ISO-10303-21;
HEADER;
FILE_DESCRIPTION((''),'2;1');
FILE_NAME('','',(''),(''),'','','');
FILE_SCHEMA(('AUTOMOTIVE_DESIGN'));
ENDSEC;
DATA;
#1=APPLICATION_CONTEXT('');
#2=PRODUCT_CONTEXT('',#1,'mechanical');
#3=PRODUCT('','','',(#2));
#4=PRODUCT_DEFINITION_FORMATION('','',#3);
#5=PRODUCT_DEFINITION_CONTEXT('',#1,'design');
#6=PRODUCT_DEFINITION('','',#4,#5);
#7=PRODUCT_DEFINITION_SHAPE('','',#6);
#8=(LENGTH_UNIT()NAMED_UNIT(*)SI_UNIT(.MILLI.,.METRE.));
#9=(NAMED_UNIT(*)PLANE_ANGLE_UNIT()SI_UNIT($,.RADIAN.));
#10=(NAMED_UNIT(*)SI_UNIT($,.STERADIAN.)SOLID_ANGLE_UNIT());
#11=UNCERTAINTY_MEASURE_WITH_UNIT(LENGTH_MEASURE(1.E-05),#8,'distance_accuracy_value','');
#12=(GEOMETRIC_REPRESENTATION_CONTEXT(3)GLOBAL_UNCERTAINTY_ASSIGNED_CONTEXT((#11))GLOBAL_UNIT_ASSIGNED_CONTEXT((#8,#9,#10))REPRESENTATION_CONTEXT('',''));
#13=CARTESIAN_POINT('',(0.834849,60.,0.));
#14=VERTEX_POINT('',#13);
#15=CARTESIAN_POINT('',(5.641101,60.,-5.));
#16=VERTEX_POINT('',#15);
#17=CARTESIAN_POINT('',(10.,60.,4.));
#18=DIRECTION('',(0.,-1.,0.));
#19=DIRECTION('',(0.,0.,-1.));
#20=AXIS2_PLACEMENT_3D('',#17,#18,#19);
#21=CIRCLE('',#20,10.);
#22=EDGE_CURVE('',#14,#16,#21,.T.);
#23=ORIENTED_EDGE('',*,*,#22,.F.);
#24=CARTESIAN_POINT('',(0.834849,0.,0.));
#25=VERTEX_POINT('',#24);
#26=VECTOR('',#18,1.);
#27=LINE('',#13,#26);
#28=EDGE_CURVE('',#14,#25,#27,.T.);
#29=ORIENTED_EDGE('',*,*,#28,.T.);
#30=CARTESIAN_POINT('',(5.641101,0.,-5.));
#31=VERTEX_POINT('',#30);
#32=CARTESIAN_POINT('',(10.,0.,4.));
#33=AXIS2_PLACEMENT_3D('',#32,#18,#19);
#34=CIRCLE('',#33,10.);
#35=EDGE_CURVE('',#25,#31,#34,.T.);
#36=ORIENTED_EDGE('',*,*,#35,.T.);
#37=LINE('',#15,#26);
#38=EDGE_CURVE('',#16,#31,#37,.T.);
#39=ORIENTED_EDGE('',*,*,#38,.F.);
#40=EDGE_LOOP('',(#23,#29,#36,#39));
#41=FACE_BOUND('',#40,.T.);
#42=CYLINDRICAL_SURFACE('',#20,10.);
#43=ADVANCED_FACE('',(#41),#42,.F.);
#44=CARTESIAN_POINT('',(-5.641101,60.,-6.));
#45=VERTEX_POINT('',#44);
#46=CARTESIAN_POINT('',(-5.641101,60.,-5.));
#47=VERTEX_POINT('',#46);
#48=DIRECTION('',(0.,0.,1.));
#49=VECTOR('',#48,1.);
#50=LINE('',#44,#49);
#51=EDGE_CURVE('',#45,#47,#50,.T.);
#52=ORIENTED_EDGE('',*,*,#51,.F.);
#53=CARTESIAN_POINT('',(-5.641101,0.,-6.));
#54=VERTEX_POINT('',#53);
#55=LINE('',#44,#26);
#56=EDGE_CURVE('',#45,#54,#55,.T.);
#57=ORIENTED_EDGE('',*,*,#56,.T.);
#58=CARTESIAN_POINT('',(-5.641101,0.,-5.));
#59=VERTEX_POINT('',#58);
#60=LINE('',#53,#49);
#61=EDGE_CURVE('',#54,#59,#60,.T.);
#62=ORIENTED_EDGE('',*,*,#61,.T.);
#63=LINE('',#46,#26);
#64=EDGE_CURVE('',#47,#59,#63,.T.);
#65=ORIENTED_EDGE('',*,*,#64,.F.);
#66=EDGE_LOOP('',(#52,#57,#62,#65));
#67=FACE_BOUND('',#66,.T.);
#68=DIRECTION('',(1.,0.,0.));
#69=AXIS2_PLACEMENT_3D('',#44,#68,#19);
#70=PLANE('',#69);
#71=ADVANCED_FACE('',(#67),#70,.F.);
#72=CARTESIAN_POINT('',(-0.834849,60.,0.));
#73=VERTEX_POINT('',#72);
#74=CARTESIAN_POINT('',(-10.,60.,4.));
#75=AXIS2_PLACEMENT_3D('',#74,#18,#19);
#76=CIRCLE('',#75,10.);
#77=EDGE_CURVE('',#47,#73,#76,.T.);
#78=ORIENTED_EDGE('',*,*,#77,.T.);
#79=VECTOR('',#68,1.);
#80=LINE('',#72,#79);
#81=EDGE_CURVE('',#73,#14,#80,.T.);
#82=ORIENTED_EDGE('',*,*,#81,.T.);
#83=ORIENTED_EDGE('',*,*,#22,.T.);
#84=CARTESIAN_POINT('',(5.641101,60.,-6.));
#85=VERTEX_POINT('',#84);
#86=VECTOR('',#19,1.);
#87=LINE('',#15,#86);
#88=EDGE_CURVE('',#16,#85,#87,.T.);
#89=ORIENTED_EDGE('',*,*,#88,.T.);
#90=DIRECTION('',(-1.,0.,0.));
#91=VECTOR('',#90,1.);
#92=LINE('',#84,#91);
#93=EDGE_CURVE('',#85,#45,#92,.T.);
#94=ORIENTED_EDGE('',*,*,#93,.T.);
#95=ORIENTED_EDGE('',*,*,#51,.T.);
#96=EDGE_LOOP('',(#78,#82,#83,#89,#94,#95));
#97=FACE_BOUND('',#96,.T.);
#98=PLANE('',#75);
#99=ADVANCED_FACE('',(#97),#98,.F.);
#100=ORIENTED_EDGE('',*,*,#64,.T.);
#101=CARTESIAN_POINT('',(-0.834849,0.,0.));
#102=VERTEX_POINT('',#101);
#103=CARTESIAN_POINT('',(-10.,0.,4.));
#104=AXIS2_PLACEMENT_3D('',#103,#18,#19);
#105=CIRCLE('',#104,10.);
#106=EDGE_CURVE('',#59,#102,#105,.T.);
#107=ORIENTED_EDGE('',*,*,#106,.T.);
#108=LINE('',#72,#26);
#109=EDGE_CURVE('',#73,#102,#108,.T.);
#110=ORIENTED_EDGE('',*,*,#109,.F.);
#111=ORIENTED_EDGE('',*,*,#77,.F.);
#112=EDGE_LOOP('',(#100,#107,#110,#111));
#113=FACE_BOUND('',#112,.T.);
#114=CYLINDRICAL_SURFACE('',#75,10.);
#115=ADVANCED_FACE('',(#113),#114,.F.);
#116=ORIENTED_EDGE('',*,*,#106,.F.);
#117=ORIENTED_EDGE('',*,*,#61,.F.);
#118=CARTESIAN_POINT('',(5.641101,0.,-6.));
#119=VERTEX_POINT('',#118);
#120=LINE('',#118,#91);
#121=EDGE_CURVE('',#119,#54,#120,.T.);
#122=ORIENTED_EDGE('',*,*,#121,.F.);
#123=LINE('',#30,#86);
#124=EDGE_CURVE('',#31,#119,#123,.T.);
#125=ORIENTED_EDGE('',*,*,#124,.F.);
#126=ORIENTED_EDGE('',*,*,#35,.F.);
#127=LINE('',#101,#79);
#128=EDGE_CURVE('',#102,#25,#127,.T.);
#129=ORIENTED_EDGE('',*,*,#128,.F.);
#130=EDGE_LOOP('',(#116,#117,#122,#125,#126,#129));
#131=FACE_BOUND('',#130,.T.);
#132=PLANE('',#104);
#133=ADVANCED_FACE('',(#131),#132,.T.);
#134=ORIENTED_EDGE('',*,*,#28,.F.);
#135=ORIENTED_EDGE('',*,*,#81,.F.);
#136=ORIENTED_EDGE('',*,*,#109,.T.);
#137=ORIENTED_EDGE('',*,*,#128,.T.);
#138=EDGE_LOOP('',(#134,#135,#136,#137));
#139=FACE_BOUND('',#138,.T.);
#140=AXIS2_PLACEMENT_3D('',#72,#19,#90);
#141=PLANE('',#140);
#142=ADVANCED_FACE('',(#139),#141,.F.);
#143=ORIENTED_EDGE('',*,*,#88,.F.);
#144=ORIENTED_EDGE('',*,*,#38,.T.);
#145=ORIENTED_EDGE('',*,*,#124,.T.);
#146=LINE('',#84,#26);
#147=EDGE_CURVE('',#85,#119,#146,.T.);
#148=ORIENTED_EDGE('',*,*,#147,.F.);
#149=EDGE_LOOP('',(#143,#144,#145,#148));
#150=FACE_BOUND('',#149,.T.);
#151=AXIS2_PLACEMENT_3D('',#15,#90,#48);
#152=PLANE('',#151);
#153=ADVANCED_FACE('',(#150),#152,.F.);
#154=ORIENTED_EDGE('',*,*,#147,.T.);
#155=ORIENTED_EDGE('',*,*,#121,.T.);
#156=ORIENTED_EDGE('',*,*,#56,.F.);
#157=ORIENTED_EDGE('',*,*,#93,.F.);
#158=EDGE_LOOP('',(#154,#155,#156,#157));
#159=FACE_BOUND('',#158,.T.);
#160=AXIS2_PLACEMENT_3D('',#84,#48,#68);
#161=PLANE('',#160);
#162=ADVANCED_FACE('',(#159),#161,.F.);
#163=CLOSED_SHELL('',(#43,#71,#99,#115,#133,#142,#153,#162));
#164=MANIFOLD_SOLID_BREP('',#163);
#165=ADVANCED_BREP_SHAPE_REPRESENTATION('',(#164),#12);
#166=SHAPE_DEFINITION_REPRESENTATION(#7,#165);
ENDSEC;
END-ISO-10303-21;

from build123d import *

# Parameters (mm, degrees)
BOSS_EXTRUDE1_DEPTH = 60


with BuildPart() as part:
    # Sketch1 → Boss-Extrude1 (new body)
    with BuildSketch(Plane(origin=(0, 0, 0), x_dir=(1, 0, 0), z_dir=(0, 1, 0))):
        with BuildLine():
            Line((-0.83484861, 0), (0.83484861, 0))
            ThreePointArc((0.83484861, 0), (2.790632181, 2.930008344), (5.641101056, 5))
            Line((5.641101056, 5), (5.641101056, 6))
            Line((5.641101056, 6), (-5.641101056, 6))
            Line((-5.641101056, 6), (-5.641101056, 5))
            ThreePointArc((-5.641101056, 5), (-2.790632181, 2.930008344), (-0.83484861, 0))
        make_face()
    extrude(amount=BOSS_EXTRUDE1_DEPTH)


solid = part.part
